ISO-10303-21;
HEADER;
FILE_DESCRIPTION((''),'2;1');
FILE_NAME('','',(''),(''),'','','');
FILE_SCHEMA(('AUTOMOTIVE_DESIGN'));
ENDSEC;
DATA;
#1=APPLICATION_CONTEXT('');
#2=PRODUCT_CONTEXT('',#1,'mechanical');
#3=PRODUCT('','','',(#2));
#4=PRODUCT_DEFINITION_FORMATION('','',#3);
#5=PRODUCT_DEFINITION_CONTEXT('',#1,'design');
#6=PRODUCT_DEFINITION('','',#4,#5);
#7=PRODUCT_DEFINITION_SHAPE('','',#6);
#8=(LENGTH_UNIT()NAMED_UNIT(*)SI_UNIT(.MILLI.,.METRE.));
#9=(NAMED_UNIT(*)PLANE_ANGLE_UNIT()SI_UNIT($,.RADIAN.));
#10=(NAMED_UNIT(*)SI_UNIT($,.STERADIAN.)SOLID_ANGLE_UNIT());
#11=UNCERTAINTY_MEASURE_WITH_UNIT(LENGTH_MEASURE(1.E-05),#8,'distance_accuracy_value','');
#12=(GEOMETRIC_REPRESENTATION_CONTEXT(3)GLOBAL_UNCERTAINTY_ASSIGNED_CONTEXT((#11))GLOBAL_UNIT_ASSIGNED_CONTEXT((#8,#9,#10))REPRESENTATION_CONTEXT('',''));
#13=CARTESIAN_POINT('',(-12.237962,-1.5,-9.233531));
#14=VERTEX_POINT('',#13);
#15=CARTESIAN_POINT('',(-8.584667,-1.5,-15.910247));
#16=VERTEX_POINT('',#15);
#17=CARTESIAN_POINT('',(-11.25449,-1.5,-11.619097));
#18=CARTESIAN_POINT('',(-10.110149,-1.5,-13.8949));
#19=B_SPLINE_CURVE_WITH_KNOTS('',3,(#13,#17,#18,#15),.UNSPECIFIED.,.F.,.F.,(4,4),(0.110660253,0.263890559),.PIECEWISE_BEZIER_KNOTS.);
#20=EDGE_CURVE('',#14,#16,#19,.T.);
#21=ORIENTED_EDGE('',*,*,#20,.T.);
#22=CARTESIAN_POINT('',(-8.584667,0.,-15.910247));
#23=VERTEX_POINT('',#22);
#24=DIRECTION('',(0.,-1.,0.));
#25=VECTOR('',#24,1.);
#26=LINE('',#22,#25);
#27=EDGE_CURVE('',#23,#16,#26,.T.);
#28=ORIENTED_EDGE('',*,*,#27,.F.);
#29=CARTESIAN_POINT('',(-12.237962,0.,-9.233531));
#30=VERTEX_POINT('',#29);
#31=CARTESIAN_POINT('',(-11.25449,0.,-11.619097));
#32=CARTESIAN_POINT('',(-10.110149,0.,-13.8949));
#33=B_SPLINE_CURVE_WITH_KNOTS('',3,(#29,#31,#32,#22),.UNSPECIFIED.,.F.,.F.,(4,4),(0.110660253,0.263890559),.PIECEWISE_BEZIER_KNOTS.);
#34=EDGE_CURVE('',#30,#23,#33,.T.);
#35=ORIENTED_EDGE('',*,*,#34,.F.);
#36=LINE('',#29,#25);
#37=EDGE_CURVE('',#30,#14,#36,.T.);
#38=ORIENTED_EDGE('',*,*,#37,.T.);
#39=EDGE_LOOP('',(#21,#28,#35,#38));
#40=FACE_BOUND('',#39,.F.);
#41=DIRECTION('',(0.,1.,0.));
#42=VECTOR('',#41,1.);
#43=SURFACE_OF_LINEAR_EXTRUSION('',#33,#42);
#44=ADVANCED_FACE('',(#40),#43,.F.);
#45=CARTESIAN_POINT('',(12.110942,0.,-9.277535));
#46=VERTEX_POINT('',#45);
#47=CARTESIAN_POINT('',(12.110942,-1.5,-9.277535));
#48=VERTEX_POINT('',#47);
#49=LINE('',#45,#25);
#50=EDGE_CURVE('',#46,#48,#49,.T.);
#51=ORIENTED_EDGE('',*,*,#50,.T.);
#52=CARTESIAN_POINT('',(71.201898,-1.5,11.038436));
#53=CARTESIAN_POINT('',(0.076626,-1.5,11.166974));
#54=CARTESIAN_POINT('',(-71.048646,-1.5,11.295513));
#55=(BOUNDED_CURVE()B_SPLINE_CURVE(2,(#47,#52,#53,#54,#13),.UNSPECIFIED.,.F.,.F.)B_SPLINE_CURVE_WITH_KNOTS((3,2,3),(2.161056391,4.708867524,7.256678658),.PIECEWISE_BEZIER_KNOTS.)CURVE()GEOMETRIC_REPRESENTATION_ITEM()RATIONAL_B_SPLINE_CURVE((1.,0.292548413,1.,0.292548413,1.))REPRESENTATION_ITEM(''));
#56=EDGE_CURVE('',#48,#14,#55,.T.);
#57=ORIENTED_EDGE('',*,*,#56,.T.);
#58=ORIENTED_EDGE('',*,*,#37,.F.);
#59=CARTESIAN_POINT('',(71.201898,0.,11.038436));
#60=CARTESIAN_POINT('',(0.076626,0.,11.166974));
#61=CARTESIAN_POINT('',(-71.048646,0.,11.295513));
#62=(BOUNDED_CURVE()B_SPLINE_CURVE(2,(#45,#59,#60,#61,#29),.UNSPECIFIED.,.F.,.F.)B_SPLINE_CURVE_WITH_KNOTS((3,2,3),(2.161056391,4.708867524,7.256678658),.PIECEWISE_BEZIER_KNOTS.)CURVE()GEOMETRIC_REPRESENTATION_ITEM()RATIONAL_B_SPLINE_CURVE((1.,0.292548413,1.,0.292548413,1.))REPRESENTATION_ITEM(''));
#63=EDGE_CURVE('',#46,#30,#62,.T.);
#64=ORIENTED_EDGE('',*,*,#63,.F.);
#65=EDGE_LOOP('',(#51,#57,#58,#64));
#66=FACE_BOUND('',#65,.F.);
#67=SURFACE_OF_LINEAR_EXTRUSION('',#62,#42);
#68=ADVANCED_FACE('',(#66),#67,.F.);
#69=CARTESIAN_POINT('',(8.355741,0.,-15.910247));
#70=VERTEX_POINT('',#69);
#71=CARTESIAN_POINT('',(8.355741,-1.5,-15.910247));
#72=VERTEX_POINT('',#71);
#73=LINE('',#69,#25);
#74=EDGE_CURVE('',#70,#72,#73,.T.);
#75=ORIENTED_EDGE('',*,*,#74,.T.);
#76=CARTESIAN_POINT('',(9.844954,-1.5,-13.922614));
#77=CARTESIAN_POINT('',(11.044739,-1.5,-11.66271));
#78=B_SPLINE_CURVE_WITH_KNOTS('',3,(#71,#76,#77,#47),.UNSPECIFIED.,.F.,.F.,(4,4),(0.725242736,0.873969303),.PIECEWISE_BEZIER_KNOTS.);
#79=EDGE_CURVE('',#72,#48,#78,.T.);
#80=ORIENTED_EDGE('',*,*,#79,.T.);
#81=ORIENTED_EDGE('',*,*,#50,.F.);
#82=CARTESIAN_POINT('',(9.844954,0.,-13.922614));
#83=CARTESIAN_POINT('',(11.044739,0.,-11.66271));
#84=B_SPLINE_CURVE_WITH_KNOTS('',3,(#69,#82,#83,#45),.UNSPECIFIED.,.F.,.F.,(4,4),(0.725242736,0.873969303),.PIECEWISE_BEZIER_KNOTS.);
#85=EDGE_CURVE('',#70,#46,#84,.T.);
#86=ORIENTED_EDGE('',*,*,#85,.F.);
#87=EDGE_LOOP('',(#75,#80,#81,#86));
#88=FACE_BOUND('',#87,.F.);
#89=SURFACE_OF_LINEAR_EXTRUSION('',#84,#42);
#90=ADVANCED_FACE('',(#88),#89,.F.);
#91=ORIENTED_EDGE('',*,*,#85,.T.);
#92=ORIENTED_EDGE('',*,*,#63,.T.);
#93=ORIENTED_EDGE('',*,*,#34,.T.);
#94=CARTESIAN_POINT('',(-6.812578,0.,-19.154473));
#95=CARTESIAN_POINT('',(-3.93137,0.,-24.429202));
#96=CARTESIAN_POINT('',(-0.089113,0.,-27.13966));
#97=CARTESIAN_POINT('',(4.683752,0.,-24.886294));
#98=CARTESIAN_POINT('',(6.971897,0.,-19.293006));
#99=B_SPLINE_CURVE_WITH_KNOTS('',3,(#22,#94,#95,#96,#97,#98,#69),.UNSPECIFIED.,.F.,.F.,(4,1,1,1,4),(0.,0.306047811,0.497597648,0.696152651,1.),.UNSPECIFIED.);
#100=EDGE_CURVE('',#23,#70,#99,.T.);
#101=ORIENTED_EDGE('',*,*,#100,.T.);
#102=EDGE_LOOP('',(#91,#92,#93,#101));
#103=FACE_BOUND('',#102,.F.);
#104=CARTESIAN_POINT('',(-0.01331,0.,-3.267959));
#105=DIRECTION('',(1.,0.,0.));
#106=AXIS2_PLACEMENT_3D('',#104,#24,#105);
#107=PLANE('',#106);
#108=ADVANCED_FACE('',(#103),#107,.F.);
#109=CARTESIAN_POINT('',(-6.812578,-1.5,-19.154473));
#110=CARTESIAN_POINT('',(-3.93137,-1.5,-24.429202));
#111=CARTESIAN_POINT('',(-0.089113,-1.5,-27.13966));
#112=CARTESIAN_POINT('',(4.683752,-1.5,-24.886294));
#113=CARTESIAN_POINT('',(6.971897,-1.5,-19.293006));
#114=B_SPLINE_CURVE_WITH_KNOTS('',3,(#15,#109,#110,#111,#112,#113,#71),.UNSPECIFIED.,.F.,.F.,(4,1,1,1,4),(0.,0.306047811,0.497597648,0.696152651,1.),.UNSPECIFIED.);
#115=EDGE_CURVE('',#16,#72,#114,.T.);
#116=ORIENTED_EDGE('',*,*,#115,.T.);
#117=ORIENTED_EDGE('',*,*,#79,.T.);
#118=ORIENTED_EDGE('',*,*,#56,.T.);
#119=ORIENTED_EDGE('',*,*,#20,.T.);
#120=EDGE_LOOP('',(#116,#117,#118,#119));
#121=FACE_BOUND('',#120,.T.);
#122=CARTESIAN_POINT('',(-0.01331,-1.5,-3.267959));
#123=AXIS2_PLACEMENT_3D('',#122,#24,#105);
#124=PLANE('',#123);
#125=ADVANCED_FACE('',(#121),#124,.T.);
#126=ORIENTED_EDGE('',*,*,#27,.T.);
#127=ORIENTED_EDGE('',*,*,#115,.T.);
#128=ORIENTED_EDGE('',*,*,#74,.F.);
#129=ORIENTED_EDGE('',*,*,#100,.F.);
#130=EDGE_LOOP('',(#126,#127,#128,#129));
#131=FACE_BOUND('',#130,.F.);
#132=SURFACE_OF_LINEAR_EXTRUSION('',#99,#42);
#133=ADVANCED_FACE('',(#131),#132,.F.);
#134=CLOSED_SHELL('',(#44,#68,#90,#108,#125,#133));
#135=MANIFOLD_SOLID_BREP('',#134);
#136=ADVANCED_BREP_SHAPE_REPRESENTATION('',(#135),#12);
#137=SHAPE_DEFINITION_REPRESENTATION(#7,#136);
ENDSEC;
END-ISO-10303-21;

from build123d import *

# Parameters (mm, degrees)
F1_DEPTH = 1.5


with BuildPart() as f1:
    # F0 (on Front) → F1 (new body)
    with BuildSketch(Plane.XZ):
        with BuildLine():
            add(Edge.make_bspline(
                [(12.1109424934, -9.2775346471), (71.2018975306, 11.0384356592), (0.0766256151, 11.1669742698), (-71.0486463003, 11.2955128805), (-12.2379618413, -9.2335309582)],
                knots=[2.1610563912, 2.1610563912, 2.1610563912, 4.7088675244, 4.7088675244, 7.2566786576, 7.2566786576, 7.2566786576], degree=2, weights=[1, 0.2925484128, 1, 0.2925484128, 1]))
            add(Edge.make_bspline(
                [(-12.2379618413, -9.2335309582), (-11.2544900209, -11.6190973629), (-10.1101488972, -13.8949000895), (-8.5846669972, -15.9102473408)],
                knots=[0.1106602531, 0.1106602531, 0.1106602531, 0.1106602531, 0.2638905591, 0.2638905591, 0.2638905591, 0.2638905591], degree=3))
            add(Edge.make_bspline(
                [(-8.5846669972, -15.9102473408), (-6.2772533221, -18.9586216334), (0.0514991919, -23.8403624271), (6.0569458892, -18.9784215411), (8.3557413891, -15.9102473408)],
                knots=[0.2638905591, 0.2638905591, 0.2638905591, 0.2638905591, 0.4956636818, 0.7252427359, 0.7252427359, 0.7252427359, 0.7252427359], degree=3))
            add(Edge.make_bspline(
                [(8.3557413891, -15.9102473408), (9.8449537389, -13.9226138559), (11.0447385381, -11.6627103247), (12.1109424934, -9.2775346471)],
                knots=[0.7252427359, 0.7252427359, 0.7252427359, 0.7252427359, 0.8739693028, 0.8739693028, 0.8739693028, 0.8739693028], degree=3))
        make_face()
        with BuildLine():
            add(Edge.make_bspline(
                [(-8.5846669972, -15.9102473408), (-6.2772533221, -18.9586216334), (0.0514991919, -23.8403624271), (6.0569458892, -18.9784215411), (8.3557413891, -15.9102473408)],
                knots=[0.2638905591, 0.2638905591, 0.2638905591, 0.2638905591, 0.4956636818, 0.7252427359, 0.7252427359, 0.7252427359, 0.7252427359], degree=3))
            add(Edge.make_bspline(
                [(-8.5846669972, -15.9102473408), (-6.8125780688, -19.1544733405), (-3.9313704577, -24.4292022169), (-0.0891128723, -27.1396602084), (4.6837521722, -24.88629442), (6.9718969211, -19.2930059388), (8.3557413891, -15.9102473408)],
                knots=[0, 0, 0, 0, 0.3060478111, 0.497597648, 0.6961526512, 1, 1, 1, 1], degree=3))
        make_face()
    extrude(amount=F1_DEPTH)


solid = f1.part
